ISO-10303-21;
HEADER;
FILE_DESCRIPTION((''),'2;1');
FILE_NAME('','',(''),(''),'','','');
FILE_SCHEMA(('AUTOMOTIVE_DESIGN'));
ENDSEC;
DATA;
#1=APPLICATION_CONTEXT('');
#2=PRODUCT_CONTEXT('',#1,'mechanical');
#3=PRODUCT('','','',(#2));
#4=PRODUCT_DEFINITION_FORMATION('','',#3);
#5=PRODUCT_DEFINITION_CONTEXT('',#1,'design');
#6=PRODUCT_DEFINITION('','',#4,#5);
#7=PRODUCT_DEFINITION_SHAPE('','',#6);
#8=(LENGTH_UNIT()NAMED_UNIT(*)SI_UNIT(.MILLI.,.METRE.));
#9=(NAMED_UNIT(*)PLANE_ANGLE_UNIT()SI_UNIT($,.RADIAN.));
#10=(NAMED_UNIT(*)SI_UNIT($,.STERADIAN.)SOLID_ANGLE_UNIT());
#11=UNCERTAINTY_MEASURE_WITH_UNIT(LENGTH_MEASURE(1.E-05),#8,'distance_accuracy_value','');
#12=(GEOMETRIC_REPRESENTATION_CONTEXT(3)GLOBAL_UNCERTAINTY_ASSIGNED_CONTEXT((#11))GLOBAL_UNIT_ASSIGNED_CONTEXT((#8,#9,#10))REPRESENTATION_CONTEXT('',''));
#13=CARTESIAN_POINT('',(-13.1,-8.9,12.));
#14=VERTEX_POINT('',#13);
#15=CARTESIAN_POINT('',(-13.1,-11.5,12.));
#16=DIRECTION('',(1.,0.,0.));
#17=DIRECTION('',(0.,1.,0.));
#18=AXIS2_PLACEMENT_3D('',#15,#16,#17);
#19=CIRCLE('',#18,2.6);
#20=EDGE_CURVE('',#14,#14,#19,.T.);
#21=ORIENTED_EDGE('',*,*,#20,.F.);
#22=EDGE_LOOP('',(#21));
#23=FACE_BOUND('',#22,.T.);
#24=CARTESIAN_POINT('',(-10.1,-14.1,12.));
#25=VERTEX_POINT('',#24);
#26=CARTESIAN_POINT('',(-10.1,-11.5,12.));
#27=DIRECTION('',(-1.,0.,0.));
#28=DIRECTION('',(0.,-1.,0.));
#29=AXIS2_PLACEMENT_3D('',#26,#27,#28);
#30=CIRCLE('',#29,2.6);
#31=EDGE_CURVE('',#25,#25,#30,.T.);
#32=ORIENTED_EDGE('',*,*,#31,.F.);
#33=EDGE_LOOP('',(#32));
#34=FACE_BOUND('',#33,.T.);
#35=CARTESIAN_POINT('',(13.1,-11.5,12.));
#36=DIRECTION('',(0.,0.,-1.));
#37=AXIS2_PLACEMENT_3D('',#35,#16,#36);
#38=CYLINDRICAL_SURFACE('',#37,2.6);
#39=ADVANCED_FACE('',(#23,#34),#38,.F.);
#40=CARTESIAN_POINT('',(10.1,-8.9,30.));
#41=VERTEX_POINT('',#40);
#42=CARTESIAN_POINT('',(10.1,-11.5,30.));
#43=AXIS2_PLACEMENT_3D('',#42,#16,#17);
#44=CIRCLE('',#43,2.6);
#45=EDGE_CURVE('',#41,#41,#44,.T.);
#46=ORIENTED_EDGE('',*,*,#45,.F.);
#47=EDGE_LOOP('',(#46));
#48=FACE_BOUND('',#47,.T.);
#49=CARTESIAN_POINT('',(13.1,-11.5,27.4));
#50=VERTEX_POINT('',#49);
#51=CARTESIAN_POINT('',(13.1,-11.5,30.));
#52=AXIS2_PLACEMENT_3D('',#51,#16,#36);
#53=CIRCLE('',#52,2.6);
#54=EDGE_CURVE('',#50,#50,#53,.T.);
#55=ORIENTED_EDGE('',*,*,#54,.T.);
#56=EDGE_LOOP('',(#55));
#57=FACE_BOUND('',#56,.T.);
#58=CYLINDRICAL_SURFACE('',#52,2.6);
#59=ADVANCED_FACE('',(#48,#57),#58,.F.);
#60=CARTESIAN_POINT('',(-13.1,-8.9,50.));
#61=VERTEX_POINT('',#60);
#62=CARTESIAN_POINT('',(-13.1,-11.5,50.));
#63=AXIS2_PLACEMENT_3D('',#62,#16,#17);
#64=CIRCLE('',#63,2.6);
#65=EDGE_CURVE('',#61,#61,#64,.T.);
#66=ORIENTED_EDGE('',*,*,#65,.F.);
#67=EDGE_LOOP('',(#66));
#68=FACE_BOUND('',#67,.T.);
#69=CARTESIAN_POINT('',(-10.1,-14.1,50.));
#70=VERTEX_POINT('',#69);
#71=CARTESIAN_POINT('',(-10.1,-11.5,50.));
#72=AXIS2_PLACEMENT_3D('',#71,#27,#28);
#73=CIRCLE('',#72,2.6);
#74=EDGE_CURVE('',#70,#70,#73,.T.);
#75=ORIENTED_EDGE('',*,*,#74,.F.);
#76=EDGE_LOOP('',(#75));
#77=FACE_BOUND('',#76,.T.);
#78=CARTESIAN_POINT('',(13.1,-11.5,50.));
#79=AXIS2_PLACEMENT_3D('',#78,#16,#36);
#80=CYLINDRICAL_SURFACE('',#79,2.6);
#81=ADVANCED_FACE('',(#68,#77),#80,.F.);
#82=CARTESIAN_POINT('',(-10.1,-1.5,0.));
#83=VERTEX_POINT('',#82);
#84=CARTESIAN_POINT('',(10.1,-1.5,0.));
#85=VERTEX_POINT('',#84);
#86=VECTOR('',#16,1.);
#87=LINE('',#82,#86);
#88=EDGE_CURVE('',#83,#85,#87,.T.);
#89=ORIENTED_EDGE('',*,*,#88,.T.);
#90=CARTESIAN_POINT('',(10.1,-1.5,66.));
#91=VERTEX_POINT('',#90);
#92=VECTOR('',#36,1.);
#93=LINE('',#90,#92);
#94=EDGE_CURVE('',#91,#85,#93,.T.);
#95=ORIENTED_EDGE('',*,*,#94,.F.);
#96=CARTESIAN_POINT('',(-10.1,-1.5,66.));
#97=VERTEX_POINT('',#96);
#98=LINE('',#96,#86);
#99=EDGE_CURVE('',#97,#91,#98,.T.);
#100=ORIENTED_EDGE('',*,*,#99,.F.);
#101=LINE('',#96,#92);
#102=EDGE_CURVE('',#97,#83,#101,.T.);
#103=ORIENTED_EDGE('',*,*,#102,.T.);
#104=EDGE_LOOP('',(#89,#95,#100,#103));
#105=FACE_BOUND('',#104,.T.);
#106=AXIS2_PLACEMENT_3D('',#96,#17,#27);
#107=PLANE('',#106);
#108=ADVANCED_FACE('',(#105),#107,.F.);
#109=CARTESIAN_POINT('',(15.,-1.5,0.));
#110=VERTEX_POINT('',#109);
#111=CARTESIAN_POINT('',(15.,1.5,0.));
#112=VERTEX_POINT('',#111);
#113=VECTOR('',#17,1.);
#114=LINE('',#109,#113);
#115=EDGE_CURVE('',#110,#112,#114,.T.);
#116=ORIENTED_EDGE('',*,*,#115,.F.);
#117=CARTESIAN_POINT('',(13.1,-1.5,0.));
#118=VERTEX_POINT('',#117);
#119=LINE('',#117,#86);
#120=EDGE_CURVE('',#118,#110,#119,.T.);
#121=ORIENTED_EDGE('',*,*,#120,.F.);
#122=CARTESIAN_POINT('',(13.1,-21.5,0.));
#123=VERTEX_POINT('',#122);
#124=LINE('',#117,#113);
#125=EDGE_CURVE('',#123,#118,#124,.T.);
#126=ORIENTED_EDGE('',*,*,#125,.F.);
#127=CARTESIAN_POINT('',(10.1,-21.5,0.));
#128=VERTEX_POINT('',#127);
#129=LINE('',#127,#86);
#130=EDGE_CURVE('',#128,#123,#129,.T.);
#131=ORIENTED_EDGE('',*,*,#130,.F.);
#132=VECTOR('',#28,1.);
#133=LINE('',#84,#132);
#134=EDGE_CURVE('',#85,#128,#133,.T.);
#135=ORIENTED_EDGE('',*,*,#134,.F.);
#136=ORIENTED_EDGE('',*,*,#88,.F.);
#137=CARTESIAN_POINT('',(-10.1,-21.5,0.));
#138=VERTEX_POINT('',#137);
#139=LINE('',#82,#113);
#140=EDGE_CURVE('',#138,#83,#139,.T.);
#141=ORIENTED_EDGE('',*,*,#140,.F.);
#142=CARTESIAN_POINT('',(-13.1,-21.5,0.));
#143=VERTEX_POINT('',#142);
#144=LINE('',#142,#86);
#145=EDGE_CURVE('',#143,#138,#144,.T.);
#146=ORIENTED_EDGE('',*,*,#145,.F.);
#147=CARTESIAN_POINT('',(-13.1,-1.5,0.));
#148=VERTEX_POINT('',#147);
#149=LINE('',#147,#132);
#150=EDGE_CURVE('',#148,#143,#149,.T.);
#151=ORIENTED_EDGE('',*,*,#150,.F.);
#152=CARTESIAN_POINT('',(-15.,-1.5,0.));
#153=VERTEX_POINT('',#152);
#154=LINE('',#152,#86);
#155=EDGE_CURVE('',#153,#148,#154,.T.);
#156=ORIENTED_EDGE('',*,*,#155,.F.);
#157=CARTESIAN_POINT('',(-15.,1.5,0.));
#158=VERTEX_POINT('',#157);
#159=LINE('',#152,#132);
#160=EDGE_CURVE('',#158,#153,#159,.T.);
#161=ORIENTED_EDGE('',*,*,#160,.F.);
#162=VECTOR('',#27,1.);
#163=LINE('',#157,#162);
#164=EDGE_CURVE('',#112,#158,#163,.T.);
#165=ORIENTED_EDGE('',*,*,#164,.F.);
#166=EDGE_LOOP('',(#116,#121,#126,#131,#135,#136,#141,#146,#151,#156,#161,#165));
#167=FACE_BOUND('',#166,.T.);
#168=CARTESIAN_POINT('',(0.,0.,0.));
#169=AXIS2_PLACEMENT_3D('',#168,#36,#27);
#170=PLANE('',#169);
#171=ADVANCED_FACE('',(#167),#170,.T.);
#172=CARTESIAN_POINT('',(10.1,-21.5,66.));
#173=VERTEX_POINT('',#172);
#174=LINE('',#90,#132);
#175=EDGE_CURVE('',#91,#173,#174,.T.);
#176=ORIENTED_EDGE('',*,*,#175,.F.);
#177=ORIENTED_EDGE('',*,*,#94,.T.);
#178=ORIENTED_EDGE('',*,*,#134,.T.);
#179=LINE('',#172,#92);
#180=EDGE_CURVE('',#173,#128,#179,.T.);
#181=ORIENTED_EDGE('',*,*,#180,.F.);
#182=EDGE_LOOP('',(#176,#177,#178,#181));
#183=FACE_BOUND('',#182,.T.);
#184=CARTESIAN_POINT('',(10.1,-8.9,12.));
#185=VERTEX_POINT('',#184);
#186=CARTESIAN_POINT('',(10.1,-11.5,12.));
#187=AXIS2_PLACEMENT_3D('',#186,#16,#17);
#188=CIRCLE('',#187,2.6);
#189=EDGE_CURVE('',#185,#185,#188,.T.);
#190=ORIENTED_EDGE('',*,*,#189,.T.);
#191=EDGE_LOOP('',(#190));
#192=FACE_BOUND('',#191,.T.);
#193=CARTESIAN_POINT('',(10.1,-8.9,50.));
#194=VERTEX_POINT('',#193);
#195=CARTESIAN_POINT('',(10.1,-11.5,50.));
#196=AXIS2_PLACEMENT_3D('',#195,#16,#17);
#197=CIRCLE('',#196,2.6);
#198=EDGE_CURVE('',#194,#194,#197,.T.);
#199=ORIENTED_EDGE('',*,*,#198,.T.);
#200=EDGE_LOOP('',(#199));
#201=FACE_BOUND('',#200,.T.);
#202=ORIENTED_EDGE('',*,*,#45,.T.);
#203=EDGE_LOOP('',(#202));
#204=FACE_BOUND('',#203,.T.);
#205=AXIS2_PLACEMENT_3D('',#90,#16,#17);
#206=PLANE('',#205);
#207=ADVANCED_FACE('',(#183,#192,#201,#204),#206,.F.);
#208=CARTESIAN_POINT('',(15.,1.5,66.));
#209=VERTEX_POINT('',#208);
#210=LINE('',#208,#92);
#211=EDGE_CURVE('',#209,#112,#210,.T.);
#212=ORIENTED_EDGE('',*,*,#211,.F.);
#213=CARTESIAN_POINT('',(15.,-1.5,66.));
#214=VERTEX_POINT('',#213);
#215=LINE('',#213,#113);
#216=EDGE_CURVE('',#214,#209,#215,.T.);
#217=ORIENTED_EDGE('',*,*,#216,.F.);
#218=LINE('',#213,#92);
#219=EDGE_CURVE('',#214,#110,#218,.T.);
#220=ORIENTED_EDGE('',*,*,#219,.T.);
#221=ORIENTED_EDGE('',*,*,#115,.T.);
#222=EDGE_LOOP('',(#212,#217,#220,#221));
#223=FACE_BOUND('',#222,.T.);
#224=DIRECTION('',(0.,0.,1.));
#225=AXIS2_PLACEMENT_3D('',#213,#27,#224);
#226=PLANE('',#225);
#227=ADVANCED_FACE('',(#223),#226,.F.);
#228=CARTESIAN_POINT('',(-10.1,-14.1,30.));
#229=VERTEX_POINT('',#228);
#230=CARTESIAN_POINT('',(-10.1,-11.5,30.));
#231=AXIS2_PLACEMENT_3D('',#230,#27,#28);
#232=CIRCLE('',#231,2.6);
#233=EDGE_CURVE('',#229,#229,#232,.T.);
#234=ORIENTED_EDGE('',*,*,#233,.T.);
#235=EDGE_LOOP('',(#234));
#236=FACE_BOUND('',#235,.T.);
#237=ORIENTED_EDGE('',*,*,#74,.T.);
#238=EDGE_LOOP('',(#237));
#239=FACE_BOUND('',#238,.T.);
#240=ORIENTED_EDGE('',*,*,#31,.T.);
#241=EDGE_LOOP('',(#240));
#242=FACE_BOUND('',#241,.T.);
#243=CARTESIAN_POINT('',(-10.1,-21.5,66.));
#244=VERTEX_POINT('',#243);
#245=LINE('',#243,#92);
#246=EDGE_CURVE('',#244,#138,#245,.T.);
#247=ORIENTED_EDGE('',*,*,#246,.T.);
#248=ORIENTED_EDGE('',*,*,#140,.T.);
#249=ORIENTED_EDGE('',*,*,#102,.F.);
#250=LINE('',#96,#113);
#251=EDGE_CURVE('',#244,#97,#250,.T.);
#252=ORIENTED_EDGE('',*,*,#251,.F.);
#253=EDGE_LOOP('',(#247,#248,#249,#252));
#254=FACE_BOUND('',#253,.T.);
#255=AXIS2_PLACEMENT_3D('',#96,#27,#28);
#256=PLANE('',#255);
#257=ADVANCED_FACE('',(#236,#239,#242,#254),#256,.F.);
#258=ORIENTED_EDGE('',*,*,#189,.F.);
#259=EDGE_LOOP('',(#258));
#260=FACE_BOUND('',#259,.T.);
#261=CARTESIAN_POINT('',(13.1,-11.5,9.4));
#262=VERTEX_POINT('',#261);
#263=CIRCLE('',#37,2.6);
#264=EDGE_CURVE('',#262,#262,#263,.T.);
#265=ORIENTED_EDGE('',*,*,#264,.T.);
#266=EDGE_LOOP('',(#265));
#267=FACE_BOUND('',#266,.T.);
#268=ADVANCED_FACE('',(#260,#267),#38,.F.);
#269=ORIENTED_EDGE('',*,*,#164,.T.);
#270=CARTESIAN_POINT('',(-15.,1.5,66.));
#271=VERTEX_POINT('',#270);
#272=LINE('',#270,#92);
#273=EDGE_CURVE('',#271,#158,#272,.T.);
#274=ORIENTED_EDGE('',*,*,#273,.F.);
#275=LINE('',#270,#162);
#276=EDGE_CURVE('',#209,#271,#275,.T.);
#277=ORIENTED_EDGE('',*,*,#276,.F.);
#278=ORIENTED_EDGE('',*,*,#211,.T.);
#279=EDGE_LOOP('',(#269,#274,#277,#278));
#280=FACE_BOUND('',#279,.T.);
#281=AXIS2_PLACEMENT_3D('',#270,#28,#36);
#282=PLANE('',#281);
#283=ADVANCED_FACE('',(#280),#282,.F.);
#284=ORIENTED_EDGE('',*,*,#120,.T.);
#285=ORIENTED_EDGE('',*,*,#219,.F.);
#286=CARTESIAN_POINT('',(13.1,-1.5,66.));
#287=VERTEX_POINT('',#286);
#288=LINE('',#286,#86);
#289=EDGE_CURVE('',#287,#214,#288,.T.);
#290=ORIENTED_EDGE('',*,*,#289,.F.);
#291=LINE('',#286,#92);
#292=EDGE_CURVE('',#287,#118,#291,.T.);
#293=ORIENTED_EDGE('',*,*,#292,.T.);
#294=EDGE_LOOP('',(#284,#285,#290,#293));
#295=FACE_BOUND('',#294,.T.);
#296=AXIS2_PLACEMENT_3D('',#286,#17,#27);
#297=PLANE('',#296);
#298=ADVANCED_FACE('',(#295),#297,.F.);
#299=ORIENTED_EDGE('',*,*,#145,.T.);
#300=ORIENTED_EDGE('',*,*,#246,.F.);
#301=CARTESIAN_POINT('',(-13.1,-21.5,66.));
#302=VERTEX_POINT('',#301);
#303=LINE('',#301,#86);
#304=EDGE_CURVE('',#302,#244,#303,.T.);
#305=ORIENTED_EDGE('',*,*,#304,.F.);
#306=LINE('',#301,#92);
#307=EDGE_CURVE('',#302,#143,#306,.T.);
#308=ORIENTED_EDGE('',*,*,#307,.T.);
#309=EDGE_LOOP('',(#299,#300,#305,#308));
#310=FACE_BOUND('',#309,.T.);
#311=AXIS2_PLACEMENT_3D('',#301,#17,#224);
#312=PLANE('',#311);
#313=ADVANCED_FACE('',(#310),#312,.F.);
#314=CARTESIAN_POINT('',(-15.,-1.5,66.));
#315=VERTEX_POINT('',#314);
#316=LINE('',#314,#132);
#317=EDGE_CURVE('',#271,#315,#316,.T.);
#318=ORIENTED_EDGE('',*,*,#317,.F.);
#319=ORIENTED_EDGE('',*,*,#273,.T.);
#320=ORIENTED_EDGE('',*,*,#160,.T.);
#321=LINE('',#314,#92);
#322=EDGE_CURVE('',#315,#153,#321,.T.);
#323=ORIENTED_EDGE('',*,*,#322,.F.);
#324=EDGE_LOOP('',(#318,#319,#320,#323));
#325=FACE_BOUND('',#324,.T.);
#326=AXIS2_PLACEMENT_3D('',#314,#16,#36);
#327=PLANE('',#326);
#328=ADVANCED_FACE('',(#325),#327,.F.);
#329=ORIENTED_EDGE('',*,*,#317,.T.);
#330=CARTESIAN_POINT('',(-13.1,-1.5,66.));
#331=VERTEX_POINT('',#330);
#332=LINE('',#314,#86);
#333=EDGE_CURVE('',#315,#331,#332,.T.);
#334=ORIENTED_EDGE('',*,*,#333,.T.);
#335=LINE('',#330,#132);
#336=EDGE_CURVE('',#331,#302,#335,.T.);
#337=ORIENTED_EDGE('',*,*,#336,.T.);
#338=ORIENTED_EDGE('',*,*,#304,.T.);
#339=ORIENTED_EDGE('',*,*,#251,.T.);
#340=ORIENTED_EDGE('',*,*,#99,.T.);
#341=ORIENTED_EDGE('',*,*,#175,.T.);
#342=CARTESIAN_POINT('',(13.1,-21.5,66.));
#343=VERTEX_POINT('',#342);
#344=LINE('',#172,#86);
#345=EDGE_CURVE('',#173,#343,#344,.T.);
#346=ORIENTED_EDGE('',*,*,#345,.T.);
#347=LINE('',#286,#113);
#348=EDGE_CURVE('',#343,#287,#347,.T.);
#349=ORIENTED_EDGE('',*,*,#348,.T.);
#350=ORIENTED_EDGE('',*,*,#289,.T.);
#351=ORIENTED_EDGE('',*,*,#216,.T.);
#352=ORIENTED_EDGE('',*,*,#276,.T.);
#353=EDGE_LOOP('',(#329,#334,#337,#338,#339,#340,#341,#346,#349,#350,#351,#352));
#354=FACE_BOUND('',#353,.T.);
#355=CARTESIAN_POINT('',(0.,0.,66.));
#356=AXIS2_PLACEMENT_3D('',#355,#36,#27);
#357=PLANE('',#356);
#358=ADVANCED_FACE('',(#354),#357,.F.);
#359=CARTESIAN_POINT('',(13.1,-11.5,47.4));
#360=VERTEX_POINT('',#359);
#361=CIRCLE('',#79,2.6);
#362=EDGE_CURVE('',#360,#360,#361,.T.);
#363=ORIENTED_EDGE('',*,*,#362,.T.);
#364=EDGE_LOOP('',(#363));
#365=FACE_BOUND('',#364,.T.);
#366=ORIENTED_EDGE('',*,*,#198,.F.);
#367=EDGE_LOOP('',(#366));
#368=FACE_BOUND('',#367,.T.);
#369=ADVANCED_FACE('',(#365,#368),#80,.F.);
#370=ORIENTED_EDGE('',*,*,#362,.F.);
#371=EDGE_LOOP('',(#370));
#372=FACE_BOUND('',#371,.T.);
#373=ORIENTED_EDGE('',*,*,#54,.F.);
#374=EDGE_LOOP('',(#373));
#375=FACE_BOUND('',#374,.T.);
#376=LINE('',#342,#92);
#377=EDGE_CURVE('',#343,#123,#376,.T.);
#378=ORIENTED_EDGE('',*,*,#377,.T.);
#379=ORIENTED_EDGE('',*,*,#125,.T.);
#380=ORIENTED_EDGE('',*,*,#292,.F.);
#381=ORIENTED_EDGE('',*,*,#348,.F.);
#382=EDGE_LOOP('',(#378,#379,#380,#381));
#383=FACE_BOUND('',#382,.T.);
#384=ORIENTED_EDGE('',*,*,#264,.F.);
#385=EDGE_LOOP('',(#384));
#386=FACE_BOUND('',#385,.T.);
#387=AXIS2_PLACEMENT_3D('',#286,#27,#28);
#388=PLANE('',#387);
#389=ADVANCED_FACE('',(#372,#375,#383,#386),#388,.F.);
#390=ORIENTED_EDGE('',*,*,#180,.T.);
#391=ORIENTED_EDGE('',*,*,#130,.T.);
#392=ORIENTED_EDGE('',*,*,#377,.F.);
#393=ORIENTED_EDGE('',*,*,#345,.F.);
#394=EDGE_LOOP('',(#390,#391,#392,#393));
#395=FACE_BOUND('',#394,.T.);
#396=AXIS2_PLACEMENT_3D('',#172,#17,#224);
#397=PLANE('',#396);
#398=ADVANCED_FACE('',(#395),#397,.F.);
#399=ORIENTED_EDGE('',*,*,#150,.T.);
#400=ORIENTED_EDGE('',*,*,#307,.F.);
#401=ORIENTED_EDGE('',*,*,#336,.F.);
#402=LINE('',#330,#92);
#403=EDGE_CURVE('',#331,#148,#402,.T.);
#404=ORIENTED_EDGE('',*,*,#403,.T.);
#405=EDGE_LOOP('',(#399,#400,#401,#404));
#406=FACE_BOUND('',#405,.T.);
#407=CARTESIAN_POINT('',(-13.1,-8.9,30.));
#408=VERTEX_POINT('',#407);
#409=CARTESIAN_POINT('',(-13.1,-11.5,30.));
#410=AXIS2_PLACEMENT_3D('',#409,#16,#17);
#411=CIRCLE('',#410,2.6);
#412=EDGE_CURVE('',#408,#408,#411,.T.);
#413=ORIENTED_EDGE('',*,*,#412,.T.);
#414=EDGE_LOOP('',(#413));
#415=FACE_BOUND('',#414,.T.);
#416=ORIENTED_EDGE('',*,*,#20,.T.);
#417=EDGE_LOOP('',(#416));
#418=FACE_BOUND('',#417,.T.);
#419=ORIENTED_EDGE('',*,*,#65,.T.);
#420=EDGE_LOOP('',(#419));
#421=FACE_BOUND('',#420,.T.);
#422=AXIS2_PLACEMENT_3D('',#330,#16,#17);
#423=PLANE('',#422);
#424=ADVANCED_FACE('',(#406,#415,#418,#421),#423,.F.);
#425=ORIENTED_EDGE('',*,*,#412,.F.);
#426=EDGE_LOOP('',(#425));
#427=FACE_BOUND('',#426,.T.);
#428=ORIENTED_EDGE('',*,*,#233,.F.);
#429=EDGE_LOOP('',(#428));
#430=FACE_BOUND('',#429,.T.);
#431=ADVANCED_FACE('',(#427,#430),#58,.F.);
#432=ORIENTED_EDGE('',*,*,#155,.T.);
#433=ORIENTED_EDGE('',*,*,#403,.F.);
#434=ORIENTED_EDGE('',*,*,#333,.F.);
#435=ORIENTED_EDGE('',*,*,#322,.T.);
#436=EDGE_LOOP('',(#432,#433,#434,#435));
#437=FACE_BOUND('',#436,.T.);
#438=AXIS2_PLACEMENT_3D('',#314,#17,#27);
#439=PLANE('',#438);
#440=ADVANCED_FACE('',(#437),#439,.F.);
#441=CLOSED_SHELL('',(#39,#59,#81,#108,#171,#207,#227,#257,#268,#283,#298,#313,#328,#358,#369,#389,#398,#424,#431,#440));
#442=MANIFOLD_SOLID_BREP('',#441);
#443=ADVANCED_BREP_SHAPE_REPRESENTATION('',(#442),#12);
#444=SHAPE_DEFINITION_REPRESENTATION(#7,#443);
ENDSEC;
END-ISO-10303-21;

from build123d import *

# Parameters (mm, degrees)
EXTRUDE_1_DEPTH     = 66
HOLE_WIZARD_1_D     = 5.2
HOLE_WIZARD_1_DEPTH = 100


with BuildPart() as part:
    # 草图1 → 凸台-拉伸1 (new body)
    with BuildSketch(Plane.XY):
        Polygon((-15, -1.5), (-13.1, -1.5), (-13.1, -21.5), (-10.1, -21.5), (-10.1, -1.5), (10.1, -1.5), (10.1, -21.5), (13.1, -21.5), (13.1, -1.5), (15, -1.5), (15, 1.5), (-15, 1.5), align=None)
    extrude(amount=EXTRUDE_1_DEPTH)

    # 孔1
    with Locations(Plane(origin=(13.1, 0, 0), x_dir=(0, 0, -1), z_dir=(1, 0, 0))):
        with Locations((-50, -11.5), (-30, -11.5), (-12, -11.5)):
            Hole(HOLE_WIZARD_1_D / 2, depth=HOLE_WIZARD_1_DEPTH)


solid = part.part
